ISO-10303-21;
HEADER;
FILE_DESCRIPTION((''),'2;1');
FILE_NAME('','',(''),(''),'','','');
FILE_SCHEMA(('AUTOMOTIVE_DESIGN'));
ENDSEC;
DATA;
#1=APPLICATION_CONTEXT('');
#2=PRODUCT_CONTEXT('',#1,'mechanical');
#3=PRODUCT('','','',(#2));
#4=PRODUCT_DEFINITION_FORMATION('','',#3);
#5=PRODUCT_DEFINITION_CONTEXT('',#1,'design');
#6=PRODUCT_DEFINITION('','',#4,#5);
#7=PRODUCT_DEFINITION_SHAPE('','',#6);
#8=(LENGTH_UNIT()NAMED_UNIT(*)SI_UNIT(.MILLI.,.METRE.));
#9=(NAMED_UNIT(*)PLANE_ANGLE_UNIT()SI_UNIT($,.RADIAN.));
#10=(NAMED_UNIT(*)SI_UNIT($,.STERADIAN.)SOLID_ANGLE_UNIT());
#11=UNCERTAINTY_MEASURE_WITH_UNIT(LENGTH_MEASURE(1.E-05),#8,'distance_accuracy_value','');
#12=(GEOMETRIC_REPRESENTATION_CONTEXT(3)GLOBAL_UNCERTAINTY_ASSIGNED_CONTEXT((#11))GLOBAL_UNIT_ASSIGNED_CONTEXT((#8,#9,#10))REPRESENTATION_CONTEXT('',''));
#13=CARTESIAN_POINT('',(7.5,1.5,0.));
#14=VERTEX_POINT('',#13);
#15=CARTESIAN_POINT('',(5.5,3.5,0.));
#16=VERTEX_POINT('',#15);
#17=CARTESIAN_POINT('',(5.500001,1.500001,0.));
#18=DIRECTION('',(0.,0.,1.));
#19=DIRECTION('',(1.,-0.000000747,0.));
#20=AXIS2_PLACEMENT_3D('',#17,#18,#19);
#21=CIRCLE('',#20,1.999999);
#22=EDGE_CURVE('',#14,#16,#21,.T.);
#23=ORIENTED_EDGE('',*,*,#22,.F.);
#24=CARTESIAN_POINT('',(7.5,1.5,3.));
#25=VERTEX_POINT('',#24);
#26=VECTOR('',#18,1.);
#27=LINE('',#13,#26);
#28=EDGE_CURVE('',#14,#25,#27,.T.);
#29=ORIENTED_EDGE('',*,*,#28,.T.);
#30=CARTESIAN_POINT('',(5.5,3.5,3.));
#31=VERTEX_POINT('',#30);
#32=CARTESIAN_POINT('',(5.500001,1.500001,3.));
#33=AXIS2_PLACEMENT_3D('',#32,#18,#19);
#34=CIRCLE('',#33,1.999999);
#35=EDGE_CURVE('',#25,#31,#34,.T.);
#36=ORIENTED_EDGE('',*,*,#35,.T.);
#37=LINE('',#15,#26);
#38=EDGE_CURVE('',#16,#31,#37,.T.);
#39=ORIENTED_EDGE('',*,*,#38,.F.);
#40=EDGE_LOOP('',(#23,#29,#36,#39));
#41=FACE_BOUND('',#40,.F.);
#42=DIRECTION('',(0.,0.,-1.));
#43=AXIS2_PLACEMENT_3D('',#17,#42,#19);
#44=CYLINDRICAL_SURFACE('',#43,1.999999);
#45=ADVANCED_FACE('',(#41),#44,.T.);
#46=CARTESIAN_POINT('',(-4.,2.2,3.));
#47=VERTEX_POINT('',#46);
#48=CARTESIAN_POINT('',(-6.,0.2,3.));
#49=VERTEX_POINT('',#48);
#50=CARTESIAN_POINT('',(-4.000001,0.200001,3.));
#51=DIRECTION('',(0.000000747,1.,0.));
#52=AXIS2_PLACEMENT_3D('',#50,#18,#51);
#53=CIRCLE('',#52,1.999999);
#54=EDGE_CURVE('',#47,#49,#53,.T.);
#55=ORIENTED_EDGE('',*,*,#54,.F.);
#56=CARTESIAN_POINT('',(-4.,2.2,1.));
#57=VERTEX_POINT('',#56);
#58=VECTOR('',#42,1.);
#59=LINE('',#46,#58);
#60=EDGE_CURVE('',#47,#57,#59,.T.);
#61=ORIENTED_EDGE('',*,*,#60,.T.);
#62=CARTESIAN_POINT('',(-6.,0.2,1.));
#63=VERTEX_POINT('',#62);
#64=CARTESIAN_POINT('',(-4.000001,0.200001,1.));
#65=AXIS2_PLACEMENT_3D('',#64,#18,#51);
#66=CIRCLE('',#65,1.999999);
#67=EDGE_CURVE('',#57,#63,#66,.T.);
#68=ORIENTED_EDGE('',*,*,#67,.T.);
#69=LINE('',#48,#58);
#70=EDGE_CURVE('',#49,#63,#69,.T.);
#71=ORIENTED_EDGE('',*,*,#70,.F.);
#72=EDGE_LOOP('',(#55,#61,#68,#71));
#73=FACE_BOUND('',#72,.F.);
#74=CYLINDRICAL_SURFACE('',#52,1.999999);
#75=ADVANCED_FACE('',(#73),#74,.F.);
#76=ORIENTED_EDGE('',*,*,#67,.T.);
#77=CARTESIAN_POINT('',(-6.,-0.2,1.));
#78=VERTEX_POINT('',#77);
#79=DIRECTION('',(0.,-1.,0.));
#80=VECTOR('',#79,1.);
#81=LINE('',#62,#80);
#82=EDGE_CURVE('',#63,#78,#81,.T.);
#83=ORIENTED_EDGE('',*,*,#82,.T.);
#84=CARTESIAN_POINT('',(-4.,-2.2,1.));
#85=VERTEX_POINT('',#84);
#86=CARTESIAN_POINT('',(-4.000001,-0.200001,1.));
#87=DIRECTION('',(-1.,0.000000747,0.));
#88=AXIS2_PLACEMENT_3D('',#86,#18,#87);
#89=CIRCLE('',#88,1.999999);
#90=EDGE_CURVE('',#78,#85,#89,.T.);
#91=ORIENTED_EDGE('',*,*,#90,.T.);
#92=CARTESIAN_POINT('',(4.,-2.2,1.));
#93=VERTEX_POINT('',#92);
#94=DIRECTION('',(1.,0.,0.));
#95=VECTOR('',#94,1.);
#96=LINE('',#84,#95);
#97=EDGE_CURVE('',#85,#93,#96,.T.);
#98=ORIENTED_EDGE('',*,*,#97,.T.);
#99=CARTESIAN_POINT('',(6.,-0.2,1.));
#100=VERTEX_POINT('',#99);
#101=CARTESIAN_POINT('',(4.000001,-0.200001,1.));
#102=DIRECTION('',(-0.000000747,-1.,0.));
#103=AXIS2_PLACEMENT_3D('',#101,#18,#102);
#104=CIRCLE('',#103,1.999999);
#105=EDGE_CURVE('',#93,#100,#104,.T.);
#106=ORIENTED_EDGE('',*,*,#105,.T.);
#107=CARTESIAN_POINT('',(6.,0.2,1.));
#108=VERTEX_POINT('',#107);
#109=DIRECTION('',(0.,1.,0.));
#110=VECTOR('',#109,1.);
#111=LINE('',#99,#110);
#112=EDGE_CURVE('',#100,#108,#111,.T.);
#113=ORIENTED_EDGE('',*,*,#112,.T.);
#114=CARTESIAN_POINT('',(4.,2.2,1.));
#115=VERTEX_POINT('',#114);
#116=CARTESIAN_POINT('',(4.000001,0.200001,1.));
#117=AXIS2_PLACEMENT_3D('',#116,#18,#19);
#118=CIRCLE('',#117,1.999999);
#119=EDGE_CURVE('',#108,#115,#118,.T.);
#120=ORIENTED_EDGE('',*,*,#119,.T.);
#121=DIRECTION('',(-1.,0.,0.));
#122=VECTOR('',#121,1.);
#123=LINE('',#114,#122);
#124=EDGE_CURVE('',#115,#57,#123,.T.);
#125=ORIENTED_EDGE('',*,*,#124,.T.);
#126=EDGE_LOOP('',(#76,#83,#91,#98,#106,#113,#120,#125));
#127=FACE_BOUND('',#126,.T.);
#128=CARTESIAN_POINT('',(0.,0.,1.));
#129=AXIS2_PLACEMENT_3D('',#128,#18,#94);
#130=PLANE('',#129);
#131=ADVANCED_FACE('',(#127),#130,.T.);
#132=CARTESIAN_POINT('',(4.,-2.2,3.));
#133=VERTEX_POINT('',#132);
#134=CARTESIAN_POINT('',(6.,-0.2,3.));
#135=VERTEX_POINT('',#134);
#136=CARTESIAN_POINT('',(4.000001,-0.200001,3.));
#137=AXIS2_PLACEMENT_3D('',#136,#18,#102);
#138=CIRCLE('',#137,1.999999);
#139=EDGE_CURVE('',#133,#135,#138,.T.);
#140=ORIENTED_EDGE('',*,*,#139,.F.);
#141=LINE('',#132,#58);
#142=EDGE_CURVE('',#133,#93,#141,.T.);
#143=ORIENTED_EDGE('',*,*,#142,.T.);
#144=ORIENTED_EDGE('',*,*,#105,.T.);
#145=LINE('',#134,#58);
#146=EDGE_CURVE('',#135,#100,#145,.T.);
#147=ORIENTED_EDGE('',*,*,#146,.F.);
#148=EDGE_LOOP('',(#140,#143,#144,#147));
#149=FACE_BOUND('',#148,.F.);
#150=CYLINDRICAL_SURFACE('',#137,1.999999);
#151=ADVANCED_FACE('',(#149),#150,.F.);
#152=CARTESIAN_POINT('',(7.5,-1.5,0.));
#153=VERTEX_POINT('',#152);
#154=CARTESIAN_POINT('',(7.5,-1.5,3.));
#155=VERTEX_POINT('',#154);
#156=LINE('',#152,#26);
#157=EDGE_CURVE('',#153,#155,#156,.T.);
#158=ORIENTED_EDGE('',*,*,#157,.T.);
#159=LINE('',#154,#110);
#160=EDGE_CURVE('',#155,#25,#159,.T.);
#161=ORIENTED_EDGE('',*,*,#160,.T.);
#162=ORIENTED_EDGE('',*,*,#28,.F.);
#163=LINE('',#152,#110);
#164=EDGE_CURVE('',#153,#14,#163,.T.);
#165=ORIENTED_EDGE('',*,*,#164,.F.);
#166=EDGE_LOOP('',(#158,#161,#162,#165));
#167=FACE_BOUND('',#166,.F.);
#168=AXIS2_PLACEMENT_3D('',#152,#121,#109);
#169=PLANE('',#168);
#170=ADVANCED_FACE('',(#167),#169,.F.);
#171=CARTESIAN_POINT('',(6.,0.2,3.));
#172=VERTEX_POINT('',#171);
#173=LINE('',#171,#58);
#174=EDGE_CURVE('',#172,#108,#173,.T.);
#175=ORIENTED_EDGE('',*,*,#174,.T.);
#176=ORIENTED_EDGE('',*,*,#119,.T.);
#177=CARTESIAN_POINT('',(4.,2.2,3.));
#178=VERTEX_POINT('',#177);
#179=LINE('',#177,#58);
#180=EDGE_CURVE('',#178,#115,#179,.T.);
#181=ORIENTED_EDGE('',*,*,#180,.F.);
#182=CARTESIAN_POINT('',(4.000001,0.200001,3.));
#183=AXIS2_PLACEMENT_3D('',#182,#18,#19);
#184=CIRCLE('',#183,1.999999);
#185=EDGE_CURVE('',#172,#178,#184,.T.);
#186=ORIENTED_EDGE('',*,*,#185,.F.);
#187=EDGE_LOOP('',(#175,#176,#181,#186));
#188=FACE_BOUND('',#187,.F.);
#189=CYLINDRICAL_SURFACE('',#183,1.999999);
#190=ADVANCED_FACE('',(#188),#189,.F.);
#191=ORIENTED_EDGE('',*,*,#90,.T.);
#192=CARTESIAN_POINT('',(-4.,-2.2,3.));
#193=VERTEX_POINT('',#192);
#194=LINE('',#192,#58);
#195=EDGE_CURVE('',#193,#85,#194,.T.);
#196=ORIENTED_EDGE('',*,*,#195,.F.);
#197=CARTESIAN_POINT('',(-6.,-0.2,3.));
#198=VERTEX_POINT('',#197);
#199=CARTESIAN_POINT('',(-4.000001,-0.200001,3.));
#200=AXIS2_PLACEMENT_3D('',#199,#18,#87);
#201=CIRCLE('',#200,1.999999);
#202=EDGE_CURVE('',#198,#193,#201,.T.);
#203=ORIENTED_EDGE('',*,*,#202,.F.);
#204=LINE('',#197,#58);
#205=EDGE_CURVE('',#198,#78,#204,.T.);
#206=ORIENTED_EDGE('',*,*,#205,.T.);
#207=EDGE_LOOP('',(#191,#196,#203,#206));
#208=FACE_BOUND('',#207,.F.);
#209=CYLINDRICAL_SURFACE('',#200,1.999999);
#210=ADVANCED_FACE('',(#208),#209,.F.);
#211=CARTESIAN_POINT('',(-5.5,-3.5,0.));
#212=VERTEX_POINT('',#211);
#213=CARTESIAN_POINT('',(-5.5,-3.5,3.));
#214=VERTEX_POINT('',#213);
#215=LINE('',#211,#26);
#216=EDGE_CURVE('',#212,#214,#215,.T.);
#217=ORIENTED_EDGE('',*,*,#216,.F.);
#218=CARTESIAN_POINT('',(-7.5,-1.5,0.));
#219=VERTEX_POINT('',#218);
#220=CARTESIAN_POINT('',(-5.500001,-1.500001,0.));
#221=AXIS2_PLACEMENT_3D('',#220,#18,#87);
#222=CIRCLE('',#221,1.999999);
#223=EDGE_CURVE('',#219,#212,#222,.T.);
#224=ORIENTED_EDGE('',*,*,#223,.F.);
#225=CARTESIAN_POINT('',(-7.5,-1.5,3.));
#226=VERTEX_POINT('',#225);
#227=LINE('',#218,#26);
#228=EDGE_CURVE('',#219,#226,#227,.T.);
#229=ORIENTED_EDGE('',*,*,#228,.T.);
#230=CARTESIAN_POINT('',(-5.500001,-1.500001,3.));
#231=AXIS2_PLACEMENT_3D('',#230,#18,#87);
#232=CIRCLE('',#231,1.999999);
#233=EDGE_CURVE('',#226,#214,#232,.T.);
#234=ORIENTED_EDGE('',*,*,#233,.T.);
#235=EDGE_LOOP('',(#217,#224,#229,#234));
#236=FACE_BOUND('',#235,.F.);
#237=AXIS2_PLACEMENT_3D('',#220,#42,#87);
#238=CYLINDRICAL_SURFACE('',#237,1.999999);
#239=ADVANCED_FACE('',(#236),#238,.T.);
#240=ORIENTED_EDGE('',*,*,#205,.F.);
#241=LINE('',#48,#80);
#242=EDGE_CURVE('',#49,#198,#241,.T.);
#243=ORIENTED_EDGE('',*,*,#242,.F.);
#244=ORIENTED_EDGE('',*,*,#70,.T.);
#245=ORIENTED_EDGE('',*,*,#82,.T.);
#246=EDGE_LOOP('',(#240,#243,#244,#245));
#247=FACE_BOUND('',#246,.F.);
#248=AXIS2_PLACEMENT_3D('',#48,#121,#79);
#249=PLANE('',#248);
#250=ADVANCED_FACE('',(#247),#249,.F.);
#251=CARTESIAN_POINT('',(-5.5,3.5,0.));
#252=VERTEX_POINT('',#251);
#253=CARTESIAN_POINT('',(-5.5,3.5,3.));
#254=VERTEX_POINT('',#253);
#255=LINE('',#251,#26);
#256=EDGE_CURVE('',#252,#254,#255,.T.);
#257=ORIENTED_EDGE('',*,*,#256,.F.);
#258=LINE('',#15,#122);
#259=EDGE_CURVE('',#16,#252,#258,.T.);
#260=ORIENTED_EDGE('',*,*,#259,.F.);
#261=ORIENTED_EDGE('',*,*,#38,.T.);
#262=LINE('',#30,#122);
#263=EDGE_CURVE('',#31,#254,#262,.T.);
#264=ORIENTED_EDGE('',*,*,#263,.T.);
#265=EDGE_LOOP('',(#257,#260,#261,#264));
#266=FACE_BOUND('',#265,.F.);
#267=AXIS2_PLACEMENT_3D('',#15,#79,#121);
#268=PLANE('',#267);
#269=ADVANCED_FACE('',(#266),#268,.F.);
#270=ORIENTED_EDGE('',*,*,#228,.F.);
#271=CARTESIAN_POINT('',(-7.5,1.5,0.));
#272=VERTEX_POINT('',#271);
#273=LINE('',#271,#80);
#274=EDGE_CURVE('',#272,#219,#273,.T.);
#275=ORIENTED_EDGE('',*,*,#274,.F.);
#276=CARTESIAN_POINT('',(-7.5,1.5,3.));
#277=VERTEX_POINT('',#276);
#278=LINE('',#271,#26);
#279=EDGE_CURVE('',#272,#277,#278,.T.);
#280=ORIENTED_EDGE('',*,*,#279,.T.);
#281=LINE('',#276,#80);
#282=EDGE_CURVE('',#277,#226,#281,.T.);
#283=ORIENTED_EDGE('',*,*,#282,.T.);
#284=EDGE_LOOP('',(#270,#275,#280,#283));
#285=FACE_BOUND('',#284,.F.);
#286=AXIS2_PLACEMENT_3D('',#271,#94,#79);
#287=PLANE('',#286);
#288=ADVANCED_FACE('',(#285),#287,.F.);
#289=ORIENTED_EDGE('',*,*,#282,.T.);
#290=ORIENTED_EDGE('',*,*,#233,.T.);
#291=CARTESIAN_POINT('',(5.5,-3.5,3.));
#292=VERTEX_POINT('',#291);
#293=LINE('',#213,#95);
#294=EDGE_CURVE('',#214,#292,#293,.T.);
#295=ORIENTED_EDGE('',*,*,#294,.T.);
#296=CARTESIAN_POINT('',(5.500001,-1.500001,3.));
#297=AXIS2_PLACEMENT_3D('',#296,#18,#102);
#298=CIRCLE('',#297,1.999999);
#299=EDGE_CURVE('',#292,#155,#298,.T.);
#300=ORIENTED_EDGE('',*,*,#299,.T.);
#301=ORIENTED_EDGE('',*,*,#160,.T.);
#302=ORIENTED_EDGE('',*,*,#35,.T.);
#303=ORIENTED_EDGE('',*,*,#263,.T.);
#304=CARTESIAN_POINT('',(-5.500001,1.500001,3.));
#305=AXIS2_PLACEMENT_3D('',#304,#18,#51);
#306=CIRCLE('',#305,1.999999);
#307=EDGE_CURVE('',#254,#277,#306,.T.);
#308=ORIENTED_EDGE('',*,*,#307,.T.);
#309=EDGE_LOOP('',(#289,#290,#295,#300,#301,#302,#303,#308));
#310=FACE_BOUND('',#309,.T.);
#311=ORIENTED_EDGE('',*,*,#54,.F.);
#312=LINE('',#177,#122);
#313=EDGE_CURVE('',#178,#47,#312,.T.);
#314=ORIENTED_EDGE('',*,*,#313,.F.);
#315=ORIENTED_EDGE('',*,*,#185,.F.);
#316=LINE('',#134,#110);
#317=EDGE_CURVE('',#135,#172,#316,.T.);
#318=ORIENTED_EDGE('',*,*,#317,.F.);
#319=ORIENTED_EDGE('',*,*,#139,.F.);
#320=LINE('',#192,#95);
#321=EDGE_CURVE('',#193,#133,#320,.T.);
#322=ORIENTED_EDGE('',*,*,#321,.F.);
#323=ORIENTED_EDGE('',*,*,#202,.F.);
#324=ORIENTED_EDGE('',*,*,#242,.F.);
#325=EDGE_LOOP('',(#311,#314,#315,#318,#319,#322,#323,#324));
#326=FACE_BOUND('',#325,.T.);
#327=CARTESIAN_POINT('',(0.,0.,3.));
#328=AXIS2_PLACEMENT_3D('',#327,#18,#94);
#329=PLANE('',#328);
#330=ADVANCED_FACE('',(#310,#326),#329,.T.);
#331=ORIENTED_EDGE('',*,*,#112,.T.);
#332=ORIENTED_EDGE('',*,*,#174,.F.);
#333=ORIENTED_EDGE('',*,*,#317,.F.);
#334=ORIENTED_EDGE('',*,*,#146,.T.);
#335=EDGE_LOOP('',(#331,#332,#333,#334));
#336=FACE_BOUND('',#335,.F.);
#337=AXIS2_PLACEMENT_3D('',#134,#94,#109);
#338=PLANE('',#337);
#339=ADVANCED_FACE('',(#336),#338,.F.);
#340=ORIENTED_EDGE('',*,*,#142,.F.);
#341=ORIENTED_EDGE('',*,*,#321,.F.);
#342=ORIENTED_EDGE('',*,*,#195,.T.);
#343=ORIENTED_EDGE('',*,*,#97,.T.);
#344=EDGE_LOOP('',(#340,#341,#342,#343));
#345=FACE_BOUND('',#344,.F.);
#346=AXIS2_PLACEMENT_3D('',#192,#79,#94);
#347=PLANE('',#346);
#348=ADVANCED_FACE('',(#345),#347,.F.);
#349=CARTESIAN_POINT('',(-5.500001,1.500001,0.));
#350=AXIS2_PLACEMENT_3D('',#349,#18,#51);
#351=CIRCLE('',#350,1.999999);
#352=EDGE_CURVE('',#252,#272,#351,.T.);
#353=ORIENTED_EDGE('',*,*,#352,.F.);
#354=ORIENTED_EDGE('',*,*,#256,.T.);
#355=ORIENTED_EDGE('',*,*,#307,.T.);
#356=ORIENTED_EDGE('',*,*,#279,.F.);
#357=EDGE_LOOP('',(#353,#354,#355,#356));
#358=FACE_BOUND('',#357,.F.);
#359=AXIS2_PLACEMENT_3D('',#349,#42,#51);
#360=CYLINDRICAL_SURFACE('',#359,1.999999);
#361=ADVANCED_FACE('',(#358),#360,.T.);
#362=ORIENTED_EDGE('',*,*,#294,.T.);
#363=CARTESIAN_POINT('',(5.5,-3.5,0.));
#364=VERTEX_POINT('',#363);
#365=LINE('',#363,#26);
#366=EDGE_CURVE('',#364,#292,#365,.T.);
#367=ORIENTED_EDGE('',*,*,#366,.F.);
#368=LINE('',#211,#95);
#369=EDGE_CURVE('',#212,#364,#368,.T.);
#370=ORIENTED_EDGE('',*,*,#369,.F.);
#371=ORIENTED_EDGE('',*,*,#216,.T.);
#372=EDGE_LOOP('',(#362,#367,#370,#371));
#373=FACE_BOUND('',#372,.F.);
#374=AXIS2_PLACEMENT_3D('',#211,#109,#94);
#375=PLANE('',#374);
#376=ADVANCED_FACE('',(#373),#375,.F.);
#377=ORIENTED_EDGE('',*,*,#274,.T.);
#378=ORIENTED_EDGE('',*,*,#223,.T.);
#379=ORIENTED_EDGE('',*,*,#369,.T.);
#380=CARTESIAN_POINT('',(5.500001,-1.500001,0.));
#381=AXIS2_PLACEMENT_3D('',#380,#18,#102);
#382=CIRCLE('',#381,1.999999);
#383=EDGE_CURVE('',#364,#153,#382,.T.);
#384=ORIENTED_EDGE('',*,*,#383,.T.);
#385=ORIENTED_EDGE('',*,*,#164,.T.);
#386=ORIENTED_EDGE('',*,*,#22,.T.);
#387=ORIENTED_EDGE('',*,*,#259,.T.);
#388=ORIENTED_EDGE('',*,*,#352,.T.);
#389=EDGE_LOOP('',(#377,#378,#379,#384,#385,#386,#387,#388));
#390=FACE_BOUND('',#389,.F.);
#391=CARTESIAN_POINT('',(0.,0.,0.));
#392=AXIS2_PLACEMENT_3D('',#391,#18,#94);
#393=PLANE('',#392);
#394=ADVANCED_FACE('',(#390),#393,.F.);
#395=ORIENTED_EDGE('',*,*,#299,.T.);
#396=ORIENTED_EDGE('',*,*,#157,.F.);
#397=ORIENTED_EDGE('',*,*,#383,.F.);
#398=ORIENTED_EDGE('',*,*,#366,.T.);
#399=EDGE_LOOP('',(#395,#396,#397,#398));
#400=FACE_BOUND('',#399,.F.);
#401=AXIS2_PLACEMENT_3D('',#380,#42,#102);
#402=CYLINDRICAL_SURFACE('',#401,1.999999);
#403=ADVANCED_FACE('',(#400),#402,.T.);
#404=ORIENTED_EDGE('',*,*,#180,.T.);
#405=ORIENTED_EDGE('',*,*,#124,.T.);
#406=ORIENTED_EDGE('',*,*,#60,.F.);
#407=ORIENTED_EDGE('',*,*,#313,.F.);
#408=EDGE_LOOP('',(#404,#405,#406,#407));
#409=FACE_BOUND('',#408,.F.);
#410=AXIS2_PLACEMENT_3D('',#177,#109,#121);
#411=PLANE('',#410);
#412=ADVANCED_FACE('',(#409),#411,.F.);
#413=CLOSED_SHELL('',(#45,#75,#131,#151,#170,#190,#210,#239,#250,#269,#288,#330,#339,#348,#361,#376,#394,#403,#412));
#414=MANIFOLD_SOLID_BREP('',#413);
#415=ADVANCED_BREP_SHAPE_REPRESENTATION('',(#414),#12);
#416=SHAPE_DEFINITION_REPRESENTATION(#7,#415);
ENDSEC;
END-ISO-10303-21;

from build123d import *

# Parameters (mm, degrees)
F1_DEPTH = 3
F3_DEPTH = 2
F4_DEPTH = 2


with BuildPart() as f1:
    # F0 (on Top) → F1 (new body)
    with BuildSketch(Plane.XY):
        with BuildLine():
            ThreePointArc((7.5, 1.5), (6.914214, 2.914214), (5.5, 3.5))
            Line((5.5, 3.5), (-5.5, 3.5))
            ThreePointArc((-5.5, 3.5), (-6.914214, 2.914214), (-7.5, 1.5))
            Line((-7.5, 1.5), (-7.5, -1.5))
            ThreePointArc((-7.5, -1.5), (-6.914214, -2.914214), (-5.5, -3.5))
            Line((-5.5, -3.5), (5.5, -3.5))
            ThreePointArc((5.5, -3.5), (6.914214, -2.914214), (7.5, -1.5))
            Line((7.5, -1.5), (7.5, 1.5))
        make_face()
    extrude(amount=F1_DEPTH)

    # F2 (on face) → F3 (join)
    with BuildSketch(Plane.XY.offset(3)):
        with BuildLine():
            ThreePointArc((6, 0.2), (5.414214, 1.614214), (4, 2.2))
            Line((4, 2.2), (-4, 2.2))
            ThreePointArc((-4, 2.2), (-5.414214, 1.614214), (-6, 0.2))
            Line((-6, 0.2), (-6, -0.2))
            ThreePointArc((-6, -0.2), (-5.414214, -1.614214), (-4, -2.2))
            Line((-4, -2.2), (4, -2.2))
            ThreePointArc((4, -2.2), (5.414214, -1.614214), (6, -0.2))
            Line((6, -0.2), (6, 0.2))
        make_face()
    extrude(amount=-F3_DEPTH)

    # F2 (on face) → F4 (cut)
    with BuildSketch(Plane.XY.offset(3)):
        with BuildLine():
            ThreePointArc((6, 0.2), (5.414214, 1.614214), (4, 2.2))
            Line((4, 2.2), (-4, 2.2))
            ThreePointArc((-4, 2.2), (-5.414214, 1.614214), (-6, 0.2))
            Line((-6, 0.2), (-6, -0.2))
            ThreePointArc((-6, -0.2), (-5.414214, -1.614214), (-4, -2.2))
            Line((-4, -2.2), (4, -2.2))
            ThreePointArc((4, -2.2), (5.414214, -1.614214), (6, -0.2))
            Line((6, -0.2), (6, 0.2))
        make_face()
    extrude(amount=-F4_DEPTH, mode=Mode.SUBTRACT)


solid = f1.part
